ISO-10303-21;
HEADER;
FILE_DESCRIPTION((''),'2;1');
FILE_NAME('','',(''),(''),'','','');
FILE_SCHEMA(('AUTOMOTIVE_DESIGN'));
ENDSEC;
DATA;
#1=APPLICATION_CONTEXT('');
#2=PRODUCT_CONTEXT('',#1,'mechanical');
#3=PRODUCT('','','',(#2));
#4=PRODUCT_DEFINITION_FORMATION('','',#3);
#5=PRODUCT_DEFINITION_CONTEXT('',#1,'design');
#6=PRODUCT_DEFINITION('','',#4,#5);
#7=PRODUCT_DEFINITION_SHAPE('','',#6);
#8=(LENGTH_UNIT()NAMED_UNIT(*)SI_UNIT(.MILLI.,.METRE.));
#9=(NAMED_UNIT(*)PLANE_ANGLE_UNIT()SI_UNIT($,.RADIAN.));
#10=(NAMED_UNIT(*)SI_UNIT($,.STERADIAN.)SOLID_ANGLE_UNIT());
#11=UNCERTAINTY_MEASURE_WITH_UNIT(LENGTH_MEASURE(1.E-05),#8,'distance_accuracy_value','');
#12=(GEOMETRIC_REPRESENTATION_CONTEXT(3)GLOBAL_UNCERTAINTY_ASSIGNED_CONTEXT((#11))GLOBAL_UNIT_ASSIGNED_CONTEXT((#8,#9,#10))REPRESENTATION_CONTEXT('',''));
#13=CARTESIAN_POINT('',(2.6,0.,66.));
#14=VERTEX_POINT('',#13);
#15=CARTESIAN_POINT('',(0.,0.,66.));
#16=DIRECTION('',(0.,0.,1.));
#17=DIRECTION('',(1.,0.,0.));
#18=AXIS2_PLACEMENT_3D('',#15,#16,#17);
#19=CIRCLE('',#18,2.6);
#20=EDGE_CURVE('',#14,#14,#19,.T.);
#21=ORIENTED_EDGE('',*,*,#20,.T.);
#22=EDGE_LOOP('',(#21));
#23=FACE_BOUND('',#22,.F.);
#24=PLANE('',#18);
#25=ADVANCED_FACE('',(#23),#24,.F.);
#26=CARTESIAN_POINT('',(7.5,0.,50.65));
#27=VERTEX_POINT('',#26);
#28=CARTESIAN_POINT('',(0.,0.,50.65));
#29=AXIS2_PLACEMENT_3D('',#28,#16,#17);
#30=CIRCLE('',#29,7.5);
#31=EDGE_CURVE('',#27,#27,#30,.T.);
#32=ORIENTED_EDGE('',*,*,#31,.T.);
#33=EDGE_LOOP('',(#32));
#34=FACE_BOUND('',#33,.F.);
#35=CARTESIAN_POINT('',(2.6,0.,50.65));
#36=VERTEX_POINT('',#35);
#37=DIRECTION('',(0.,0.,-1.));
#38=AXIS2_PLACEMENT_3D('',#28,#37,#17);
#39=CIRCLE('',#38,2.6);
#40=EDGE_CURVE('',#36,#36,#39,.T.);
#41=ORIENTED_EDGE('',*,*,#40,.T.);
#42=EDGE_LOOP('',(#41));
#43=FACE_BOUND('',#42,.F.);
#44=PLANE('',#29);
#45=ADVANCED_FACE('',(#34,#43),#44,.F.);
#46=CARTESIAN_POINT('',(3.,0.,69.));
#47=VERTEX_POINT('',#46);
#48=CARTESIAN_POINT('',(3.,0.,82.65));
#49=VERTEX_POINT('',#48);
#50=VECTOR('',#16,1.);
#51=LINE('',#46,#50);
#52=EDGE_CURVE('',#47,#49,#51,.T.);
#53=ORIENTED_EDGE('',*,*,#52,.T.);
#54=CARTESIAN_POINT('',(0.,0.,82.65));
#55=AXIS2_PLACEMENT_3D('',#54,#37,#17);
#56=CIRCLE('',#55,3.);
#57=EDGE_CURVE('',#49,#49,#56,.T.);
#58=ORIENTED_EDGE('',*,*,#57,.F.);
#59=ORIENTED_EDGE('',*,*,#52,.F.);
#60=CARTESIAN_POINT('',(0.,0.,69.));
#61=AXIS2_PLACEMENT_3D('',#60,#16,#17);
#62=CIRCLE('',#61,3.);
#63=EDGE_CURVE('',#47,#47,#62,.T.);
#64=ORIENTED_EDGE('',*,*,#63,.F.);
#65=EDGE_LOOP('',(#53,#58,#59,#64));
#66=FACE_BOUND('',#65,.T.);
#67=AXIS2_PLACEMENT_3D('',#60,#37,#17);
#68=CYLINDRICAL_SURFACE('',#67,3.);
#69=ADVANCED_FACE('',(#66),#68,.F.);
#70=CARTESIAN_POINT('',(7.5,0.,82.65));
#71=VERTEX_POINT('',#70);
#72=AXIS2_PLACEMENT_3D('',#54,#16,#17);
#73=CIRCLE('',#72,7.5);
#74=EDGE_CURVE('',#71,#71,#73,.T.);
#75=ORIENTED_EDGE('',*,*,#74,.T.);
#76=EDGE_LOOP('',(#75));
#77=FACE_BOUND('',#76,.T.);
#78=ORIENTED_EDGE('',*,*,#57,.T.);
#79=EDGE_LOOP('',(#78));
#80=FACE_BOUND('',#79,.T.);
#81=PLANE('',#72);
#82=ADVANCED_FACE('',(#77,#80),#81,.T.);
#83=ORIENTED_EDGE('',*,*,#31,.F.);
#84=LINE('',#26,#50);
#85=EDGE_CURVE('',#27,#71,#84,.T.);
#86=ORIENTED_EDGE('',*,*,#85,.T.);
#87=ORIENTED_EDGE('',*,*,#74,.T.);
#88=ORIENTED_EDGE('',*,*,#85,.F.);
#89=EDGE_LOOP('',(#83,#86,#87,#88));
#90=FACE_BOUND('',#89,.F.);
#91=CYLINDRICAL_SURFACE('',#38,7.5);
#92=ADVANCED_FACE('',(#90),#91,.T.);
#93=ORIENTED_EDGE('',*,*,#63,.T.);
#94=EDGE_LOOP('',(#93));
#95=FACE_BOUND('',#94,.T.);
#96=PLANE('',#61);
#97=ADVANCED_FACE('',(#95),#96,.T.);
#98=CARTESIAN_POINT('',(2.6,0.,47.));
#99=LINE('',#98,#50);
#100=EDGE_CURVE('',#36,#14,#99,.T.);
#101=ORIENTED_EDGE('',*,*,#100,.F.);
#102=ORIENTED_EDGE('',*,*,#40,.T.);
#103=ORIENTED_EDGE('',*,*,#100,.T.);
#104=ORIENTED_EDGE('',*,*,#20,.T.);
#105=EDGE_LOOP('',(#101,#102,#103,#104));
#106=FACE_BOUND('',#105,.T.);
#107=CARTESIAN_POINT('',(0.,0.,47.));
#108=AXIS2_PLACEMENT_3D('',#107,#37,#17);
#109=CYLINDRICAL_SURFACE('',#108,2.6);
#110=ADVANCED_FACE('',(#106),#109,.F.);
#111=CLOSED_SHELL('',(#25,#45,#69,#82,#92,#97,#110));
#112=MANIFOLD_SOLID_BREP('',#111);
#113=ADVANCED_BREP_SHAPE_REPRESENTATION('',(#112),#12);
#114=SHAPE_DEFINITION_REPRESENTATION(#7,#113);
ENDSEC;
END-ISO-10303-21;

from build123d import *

# Parameters (mm, degrees)
CYLINDER1798_R     = 3
CYLINDER1798_DEPTH = 20
CYLINDER1796_R     = 2.6
CYLINDER1796_DEPTH = 19
CYLINDER1797_R     = 7.5
CYLINDER1797_DEPTH = 32


with BuildPart() as v_lec1798:
    # Cylinder1798 → Cylinder1798 (new body)
    with BuildSketch(Plane.XY.offset(69)):
        Circle(CYLINDER1798_R)
    extrude(amount=CYLINDER1798_DEPTH)


with BuildPart() as v_lec1796:
    # Cylinder1796 → Cylinder1796 (new body)
    with BuildSketch(Plane.XY.offset(47)):
        Circle(CYLINDER1796_R)
    extrude(amount=CYLINDER1796_DEPTH)


with BuildPart() as cut668:
    # Cylinder1797 → Cylinder1797 (new body)
    with BuildSketch(Plane.XY.offset(50.65)):
        Circle(CYLINDER1797_R)
    extrude(amount=CYLINDER1797_DEPTH)

    # Cut666: cut Válec1796
    add(v_lec1796.part, mode=Mode.SUBTRACT)

    # Cut668: cut Válec1798
    add(v_lec1798.part, mode=Mode.SUBTRACT)


solid = cut668.part
